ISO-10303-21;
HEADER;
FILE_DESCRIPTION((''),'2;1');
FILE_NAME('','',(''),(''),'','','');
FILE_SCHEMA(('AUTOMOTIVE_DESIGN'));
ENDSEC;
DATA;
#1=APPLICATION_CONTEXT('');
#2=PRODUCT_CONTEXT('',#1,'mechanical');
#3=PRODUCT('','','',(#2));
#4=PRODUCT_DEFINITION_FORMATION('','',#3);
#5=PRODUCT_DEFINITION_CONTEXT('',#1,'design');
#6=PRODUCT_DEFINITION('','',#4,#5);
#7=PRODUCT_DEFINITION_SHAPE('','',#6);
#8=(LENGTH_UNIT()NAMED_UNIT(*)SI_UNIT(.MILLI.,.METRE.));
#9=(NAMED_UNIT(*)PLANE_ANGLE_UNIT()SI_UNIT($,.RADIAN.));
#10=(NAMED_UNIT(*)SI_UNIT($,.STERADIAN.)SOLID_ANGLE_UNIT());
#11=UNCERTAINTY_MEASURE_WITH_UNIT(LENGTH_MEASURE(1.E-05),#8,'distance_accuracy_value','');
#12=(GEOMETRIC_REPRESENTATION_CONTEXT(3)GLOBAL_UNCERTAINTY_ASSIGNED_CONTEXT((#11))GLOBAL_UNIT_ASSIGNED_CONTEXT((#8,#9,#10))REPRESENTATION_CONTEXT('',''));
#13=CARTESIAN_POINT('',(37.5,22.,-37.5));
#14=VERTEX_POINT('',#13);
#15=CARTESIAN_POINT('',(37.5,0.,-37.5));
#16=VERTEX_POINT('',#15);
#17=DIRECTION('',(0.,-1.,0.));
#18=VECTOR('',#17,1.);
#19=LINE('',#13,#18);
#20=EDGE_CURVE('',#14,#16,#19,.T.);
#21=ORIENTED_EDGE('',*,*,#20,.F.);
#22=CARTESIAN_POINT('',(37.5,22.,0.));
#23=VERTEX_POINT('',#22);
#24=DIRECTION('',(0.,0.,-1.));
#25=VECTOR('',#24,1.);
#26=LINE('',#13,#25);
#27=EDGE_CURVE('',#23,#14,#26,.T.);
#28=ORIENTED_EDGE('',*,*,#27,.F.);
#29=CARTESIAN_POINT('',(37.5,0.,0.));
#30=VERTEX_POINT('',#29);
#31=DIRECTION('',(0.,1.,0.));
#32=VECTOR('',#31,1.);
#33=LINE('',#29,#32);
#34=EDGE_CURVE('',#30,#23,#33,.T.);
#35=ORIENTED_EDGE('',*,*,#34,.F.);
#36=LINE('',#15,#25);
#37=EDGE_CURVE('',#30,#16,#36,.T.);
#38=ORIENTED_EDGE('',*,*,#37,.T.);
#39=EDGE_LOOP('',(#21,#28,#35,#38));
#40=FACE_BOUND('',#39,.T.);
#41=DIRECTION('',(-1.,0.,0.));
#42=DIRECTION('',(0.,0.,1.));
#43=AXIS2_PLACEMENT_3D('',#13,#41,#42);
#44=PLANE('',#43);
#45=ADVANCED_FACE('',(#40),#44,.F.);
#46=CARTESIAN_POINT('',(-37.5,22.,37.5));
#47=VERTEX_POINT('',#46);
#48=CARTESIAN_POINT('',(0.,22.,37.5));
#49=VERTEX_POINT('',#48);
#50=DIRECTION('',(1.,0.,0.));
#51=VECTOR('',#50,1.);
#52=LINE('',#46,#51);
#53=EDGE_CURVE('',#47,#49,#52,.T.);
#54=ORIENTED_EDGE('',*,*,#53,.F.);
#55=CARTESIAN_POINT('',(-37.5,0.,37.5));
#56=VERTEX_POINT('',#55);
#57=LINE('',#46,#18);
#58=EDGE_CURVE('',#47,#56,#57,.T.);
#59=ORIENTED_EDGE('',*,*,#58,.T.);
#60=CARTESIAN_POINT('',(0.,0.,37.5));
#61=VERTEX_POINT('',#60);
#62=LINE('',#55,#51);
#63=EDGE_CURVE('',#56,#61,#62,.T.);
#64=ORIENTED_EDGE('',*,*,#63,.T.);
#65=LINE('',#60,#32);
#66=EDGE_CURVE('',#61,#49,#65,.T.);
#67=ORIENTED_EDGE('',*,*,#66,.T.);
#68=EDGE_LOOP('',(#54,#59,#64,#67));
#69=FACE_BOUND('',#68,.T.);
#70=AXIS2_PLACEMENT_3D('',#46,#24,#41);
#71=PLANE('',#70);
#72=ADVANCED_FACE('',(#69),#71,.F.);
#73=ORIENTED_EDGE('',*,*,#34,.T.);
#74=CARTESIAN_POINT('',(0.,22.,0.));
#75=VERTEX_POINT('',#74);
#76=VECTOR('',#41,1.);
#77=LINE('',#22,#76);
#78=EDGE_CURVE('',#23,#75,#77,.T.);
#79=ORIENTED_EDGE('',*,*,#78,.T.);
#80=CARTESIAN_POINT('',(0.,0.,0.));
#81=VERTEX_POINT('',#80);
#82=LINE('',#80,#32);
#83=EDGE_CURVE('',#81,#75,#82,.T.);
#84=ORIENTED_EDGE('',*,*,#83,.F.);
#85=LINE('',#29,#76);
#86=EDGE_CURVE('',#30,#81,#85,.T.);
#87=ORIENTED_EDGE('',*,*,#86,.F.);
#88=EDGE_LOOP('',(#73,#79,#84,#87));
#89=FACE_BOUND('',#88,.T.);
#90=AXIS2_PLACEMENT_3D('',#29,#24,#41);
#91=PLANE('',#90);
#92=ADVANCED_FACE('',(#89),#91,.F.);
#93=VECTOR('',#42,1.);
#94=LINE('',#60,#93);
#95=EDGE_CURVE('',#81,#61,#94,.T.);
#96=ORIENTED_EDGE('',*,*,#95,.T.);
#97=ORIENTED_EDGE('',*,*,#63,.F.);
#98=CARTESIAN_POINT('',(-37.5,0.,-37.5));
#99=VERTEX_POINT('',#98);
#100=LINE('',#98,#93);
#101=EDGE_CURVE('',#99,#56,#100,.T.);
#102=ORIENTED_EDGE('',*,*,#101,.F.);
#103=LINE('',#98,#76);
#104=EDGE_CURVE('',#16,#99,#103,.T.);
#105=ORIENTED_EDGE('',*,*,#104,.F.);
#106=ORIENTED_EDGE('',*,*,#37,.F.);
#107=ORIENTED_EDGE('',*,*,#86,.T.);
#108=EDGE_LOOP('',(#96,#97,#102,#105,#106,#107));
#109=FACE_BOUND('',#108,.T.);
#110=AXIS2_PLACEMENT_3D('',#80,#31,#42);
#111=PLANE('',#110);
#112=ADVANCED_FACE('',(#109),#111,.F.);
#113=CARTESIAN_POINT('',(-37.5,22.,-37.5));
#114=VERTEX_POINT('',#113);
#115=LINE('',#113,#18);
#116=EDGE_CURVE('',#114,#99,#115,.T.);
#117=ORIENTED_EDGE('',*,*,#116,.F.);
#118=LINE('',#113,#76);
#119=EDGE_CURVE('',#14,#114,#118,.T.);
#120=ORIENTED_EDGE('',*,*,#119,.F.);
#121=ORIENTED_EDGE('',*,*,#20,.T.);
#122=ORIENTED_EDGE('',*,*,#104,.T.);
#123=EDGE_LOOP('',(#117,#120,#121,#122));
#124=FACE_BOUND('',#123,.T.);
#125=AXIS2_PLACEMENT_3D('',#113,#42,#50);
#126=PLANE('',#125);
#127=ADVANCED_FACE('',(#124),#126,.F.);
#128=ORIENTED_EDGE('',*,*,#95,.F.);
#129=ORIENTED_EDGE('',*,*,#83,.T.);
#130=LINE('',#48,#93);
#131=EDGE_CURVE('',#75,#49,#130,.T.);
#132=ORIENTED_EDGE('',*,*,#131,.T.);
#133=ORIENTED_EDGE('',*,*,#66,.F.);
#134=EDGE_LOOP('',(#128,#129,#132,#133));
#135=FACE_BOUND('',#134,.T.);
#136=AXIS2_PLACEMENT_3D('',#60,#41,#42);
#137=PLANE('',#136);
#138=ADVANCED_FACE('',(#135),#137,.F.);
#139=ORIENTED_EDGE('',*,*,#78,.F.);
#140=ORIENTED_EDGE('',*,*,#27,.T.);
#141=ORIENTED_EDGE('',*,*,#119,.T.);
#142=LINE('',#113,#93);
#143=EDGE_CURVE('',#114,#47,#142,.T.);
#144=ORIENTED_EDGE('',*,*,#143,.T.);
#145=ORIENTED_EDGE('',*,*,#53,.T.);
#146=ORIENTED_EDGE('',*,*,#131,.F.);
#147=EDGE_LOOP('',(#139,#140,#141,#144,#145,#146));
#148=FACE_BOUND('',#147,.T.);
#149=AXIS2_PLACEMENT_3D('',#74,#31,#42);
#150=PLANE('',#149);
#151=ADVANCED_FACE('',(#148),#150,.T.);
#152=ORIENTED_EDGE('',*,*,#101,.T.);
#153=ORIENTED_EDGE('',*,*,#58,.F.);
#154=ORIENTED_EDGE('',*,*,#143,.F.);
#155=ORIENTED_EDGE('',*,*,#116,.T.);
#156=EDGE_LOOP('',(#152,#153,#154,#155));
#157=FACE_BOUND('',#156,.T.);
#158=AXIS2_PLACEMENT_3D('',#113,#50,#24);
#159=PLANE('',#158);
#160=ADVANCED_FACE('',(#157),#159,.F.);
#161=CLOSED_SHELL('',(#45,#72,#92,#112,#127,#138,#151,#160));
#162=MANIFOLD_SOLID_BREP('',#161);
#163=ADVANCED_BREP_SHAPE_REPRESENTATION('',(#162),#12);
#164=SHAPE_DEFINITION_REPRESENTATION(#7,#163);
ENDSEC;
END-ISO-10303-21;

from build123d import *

# Parameters (mm, degrees)
SKETCH1_W           = 75
SKETCH1_H           = 75
BOSS_EXTRUDE1_DEPTH = 22
SKETCH2_W           = 37.5
SKETCH2_H           = 37.5
CUT_EXTRUDE1_DEPTH  = 58.415154794


with BuildPart() as part:
    # Sketch1 → Boss-Extrude1 (new body)
    with BuildSketch(Plane(origin=(0, 0, 0), x_dir=(1, 0, 0), z_dir=(0, 1, 0))):
        Rectangle(SKETCH1_W, SKETCH1_H)
    extrude(amount=BOSS_EXTRUDE1_DEPTH)

    # Sketch2 → Cut-Extrude1 (cut, through all)
    with BuildSketch(Plane(origin=(0, 22, 0), x_dir=(1, 0, 0), z_dir=(0, 1, 0))):
        with Locations((18.75, -18.75)):
            Rectangle(SKETCH2_W, SKETCH2_H)
    extrude(amount=-CUT_EXTRUDE1_DEPTH, mode=Mode.SUBTRACT)


solid = part.part
